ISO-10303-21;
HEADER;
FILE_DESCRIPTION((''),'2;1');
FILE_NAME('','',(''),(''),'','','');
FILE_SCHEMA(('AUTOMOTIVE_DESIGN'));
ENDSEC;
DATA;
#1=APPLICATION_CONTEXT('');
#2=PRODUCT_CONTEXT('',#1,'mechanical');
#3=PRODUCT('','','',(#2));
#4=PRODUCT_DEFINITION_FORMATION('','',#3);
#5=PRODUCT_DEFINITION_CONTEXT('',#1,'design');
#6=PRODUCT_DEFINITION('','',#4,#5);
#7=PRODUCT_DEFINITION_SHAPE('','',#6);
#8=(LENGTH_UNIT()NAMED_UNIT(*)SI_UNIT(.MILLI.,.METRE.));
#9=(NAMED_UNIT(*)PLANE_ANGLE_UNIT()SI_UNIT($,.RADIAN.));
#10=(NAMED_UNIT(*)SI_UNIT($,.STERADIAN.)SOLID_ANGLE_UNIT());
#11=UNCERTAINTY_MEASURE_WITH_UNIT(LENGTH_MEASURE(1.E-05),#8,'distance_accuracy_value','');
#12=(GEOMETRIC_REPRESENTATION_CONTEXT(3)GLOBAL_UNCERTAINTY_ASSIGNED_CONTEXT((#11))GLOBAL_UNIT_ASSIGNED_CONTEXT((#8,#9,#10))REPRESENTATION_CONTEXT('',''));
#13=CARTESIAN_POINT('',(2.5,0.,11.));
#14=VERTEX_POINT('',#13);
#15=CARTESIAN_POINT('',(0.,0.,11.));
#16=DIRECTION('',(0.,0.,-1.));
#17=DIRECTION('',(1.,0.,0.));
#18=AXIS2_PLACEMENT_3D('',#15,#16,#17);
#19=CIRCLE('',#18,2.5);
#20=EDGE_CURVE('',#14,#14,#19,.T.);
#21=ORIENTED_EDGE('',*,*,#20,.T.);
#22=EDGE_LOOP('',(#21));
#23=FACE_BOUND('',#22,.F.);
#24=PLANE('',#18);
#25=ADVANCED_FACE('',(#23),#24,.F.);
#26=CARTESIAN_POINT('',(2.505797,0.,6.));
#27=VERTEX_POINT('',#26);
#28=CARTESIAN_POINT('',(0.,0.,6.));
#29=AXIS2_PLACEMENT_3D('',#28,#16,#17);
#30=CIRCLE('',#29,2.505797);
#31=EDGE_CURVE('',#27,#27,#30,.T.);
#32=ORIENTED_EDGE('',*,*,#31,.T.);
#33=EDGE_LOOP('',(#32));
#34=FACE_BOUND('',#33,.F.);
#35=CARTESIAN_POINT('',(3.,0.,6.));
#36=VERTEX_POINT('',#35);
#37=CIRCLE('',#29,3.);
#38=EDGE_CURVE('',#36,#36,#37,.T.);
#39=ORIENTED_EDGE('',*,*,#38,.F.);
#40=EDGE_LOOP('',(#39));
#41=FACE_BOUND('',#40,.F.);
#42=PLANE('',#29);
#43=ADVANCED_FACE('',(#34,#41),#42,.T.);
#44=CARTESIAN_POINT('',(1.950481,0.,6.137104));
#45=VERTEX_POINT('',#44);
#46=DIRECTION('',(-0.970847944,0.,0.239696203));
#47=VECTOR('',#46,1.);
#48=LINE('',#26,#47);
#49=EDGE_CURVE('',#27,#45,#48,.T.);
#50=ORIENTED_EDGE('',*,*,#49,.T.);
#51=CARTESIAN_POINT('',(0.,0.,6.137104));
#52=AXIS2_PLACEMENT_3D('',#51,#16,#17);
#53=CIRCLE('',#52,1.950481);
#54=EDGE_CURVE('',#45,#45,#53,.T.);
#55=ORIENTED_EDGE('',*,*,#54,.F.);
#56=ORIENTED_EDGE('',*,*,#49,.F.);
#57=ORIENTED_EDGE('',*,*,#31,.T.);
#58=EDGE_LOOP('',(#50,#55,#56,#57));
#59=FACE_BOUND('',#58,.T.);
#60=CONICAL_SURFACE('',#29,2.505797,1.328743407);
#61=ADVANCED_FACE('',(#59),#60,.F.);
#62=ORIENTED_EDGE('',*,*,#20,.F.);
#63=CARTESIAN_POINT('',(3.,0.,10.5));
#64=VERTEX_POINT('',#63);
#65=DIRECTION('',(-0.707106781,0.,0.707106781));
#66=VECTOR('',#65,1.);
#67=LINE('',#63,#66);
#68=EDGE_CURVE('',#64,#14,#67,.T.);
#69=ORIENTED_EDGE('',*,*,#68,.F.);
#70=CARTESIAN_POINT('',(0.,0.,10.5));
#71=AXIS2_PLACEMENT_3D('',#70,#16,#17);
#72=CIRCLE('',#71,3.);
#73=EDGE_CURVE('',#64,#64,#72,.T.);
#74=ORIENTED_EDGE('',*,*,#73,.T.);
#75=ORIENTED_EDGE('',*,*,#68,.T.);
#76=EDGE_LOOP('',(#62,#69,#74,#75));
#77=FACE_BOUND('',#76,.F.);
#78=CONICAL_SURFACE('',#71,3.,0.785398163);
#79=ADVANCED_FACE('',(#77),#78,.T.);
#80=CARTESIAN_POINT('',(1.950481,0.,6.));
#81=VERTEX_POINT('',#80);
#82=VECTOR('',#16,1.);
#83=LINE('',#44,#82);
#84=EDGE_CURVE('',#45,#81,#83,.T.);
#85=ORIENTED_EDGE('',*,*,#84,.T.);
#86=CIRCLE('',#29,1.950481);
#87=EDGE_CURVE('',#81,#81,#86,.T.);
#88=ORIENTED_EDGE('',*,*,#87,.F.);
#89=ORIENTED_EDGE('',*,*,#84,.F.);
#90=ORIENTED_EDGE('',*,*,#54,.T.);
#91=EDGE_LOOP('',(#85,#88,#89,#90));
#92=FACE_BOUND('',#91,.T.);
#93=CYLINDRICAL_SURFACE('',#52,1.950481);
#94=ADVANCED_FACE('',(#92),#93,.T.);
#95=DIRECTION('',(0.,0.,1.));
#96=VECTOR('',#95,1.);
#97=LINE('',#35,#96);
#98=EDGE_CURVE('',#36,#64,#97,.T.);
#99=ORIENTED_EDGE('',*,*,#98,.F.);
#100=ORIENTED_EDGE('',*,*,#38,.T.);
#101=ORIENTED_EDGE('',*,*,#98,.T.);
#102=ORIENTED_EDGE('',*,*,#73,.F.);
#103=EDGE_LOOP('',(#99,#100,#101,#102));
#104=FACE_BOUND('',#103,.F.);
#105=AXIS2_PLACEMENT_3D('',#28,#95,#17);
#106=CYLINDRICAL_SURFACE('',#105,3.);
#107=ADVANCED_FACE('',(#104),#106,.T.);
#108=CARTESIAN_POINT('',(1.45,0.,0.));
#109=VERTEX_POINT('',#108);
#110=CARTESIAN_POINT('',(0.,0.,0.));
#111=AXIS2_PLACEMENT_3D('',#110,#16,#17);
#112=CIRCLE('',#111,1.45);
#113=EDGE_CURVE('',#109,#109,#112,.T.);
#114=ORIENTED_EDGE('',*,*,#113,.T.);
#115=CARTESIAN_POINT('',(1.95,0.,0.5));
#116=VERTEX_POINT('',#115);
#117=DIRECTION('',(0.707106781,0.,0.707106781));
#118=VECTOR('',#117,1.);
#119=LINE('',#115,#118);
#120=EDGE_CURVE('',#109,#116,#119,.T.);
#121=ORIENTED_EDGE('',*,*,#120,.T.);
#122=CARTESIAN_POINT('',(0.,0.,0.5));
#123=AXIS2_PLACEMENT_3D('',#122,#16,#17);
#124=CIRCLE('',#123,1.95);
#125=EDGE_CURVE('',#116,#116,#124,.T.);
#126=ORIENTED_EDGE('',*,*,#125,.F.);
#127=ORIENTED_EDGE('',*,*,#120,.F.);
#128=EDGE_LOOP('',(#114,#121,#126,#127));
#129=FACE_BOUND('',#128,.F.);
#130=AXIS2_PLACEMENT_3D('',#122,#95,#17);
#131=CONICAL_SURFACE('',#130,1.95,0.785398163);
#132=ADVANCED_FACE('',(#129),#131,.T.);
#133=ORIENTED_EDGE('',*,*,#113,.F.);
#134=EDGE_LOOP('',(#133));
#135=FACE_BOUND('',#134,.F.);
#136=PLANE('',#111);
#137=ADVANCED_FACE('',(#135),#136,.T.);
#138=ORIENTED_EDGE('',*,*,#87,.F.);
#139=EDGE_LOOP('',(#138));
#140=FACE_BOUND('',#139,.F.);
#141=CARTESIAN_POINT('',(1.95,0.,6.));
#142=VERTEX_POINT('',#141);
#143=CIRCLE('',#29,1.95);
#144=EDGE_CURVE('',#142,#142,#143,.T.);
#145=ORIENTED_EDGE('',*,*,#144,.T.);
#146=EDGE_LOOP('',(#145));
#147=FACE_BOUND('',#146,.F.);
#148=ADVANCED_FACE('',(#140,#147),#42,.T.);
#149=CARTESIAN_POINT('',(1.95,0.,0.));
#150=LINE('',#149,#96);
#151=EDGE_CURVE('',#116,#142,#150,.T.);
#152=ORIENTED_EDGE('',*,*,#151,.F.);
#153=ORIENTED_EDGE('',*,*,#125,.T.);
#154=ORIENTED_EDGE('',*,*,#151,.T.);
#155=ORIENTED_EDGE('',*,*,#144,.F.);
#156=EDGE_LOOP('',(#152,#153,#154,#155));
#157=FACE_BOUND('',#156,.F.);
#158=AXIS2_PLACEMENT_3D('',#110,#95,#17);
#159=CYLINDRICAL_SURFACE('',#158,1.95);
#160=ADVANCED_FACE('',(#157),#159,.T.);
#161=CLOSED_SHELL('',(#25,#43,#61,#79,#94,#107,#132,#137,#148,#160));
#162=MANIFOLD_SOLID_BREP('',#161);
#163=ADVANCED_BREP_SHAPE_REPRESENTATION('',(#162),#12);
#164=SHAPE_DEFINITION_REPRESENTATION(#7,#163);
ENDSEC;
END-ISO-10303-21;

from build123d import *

# Parameters (mm, degrees)
F2_SIZE = 0.5


with BuildPart() as f1:
    # F0 (on Front) → F1 (revolve)
    with BuildSketch(Plane.XZ):
        Polygon((0, 0), (1.95, 0), (1.95, 6), (3, 6), (3, 11), (0, 11), align=None)
    revolve(axis=Axis((0, 0, 5.355328), (0, 0, -1)))

    # F2
    f2_edges = [f1.edges().sort_by_distance(p)[0] for p in [
        (-3, 0, 11),
        (-1.95, 0, 0),
    ]]
    chamfer(f2_edges, length=F2_SIZE)

    # F3 (on Front) → F4 (revolve, cut)
    with BuildSketch(Plane.XZ):
        Polygon((1.950481, 6), (2.505797, 6), (1.950481, 6.137104), align=None)
    revolve(axis=Axis((0, 0, 5.414517), (0, 0, -1)), mode=Mode.SUBTRACT)


solid = f1.part
